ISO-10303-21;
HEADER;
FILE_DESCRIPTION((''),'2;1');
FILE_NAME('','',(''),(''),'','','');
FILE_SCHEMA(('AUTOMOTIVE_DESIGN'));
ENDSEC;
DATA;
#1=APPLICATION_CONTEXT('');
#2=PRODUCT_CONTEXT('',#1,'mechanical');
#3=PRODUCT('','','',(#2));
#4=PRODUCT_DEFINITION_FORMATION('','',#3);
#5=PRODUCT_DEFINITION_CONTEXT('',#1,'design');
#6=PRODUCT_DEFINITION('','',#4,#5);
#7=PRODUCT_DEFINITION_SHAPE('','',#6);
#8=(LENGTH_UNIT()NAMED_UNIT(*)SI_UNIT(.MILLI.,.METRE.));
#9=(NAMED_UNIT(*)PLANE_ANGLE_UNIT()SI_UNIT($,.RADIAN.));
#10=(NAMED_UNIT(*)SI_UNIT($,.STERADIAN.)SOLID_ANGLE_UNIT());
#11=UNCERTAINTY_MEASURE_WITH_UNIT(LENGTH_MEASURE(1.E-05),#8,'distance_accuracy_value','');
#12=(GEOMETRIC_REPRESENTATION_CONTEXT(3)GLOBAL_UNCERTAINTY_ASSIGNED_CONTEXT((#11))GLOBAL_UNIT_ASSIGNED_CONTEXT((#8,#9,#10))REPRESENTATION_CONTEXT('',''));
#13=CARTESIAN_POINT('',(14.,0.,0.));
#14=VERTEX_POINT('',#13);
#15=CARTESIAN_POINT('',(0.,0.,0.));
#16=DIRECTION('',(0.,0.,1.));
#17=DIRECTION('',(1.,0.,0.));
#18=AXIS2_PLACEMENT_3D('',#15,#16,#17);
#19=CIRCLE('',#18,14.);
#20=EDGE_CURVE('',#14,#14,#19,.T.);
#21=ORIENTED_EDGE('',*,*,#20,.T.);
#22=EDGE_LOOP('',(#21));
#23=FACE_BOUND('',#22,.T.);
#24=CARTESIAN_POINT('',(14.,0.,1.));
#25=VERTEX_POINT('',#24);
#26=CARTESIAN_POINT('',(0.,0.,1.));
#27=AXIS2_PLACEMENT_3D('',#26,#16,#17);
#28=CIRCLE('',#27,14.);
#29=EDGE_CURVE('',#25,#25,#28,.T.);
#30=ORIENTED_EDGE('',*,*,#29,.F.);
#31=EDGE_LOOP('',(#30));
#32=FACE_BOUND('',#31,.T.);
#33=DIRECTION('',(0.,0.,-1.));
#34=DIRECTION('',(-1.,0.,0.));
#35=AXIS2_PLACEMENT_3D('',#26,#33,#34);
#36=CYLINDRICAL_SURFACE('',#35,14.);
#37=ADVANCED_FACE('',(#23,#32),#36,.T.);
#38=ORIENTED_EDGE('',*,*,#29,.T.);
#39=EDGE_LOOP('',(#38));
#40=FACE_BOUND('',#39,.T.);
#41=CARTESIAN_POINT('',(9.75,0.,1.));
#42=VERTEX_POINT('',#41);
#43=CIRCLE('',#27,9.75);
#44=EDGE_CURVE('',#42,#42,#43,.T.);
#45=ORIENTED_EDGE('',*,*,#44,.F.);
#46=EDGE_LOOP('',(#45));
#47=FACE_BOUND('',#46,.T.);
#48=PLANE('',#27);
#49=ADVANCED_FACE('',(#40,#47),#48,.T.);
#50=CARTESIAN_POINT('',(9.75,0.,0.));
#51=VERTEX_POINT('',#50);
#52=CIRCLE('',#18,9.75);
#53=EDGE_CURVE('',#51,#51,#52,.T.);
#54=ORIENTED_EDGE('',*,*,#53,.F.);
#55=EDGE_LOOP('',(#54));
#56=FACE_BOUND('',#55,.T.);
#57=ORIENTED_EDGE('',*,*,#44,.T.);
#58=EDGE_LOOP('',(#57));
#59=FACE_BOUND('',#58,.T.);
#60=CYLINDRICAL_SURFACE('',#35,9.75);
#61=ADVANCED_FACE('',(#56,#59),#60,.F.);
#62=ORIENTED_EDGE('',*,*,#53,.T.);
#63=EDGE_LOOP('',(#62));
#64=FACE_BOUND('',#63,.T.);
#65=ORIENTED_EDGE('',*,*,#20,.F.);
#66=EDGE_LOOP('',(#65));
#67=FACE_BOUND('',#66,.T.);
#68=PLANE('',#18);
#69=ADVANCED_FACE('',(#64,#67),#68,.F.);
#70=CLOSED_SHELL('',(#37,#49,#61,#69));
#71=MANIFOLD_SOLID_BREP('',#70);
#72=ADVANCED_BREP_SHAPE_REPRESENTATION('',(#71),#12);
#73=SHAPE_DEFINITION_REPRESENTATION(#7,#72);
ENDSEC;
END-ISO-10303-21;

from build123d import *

# Parameters (mm, degrees)
ESQUISSE1_R      = 14
ESQUISSE1_R_2    = 9.75
EXTRUSION1_DEPTH = 1


with BuildPart() as part:
    # Esquisse1 → Extrusion1 (new body)
    with BuildSketch(Plane.XY):
        Circle(ESQUISSE1_R)
        Circle(ESQUISSE1_R_2, mode=Mode.SUBTRACT)
    extrude(amount=EXTRUSION1_DEPTH)


solid = part.part
